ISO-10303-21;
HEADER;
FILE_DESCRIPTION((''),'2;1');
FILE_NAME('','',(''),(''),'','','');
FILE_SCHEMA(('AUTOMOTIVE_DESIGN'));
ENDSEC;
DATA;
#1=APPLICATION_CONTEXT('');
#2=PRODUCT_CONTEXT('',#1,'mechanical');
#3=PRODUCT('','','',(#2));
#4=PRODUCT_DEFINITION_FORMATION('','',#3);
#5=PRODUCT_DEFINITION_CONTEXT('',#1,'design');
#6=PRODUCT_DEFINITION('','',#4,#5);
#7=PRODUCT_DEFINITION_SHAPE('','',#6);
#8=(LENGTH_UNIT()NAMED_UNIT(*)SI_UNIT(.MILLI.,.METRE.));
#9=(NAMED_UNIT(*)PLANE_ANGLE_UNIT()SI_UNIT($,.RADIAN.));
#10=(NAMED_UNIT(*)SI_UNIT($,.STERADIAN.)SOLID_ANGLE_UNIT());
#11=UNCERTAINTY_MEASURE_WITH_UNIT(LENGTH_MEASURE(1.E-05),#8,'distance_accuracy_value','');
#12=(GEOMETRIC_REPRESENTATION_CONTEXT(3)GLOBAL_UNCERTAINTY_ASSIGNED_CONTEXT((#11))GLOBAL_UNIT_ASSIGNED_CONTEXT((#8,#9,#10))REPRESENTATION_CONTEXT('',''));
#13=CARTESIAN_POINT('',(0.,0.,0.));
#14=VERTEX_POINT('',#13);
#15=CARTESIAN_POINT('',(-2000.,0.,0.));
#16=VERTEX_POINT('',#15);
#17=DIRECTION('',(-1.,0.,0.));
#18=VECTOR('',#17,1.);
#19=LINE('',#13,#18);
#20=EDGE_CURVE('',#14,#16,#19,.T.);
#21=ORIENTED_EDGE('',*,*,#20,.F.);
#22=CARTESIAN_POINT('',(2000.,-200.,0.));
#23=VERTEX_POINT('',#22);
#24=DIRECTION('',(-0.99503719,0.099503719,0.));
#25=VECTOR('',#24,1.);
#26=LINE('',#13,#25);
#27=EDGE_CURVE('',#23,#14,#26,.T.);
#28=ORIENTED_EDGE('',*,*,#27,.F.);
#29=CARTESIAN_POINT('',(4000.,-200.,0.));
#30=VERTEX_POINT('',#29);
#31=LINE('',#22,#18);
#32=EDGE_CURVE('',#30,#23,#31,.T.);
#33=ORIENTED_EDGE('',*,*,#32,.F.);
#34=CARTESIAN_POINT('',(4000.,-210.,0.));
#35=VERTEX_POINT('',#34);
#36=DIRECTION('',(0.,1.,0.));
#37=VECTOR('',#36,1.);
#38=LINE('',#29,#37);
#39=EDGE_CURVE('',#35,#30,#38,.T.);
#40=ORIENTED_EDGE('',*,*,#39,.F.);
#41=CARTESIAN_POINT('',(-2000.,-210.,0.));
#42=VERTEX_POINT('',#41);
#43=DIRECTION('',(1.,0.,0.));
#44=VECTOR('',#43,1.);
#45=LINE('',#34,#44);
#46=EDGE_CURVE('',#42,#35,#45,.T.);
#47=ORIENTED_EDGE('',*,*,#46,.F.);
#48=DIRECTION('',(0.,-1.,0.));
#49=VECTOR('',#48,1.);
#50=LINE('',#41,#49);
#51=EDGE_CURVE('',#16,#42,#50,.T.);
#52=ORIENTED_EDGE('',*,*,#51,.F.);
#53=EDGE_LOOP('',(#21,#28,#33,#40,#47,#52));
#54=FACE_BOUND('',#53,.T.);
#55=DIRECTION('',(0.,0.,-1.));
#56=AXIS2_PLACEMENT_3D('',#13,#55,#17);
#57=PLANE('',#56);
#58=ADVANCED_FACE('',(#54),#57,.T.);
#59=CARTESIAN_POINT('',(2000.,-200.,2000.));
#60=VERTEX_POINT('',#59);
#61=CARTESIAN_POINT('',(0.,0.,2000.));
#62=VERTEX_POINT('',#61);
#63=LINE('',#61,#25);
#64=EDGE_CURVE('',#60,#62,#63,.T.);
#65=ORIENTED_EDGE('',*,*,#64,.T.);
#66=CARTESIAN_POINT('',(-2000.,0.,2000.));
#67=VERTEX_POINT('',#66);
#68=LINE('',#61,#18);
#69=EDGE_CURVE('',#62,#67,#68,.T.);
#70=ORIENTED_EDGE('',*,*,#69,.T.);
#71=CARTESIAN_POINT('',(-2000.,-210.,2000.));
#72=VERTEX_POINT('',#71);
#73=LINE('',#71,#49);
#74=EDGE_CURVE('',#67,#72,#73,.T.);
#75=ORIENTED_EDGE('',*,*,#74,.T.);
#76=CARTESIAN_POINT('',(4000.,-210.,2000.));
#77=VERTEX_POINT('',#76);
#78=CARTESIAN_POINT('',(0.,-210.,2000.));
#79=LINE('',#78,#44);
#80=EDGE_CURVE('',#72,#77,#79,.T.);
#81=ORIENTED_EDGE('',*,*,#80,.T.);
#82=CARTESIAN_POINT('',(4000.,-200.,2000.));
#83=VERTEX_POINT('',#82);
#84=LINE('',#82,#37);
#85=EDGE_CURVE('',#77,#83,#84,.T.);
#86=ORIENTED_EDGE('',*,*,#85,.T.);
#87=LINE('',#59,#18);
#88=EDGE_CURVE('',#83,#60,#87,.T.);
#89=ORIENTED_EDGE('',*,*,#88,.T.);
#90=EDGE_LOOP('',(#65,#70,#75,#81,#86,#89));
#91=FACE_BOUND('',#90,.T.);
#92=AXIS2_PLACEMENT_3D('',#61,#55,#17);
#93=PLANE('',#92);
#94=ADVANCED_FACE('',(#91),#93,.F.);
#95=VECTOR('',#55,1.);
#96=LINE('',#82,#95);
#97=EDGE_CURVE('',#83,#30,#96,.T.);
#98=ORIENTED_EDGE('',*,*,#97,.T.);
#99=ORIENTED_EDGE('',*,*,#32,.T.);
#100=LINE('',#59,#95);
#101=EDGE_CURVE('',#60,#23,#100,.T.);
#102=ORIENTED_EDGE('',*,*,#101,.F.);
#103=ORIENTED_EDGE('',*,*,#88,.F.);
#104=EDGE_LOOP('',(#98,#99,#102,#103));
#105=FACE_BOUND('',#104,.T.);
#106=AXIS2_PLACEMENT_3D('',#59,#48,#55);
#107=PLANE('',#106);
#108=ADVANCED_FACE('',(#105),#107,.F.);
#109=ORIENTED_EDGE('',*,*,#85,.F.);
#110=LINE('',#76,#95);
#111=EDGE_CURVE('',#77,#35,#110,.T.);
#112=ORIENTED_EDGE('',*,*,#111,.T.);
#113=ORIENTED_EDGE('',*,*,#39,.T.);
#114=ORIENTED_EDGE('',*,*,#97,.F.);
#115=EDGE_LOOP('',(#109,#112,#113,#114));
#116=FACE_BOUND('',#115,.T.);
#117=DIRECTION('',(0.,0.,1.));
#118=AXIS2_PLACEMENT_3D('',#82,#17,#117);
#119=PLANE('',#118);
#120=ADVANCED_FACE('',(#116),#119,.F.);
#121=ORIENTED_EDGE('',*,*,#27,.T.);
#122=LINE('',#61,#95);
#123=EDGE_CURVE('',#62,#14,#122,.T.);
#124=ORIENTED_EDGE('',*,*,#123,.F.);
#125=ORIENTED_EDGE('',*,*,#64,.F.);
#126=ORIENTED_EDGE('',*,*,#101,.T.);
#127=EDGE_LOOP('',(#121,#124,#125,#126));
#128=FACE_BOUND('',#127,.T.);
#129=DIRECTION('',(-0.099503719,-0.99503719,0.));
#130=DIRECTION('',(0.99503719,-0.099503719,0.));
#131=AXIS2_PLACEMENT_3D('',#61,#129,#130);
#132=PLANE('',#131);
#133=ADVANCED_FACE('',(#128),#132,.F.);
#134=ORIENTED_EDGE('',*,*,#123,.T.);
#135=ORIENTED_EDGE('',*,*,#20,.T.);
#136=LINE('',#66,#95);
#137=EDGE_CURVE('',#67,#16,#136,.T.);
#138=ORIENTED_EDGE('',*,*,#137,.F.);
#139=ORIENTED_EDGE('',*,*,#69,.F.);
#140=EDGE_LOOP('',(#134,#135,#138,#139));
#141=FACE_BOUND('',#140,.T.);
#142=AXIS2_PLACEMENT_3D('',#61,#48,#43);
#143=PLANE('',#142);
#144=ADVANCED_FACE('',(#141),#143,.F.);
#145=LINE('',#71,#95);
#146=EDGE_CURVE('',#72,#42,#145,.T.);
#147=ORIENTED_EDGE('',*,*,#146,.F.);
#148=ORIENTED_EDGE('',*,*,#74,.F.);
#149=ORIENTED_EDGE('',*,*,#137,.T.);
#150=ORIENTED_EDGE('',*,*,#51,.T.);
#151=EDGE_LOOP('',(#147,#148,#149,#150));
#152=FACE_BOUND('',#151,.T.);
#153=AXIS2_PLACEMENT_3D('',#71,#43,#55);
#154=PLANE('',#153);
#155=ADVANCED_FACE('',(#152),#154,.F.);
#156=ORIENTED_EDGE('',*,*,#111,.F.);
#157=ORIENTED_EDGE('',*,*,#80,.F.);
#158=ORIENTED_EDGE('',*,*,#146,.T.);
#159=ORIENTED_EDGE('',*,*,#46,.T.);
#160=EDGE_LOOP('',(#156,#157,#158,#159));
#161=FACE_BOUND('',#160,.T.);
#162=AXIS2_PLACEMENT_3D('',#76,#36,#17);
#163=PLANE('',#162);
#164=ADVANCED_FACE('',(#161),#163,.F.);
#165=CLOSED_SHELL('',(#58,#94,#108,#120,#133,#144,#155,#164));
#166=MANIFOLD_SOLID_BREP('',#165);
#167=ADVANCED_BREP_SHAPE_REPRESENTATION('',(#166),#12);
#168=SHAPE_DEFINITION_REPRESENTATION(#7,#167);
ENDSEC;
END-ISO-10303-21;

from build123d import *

# Parameters (mm, degrees)
EXTRUDE_1_DEPTH = 2000


with BuildPart() as part:
    # 草图1 → 凸台-拉伸1 (new body)
    with BuildSketch(Plane.XY):
        Polygon((0, 0), (2000, -200), (4000, -200), (4000, -210), (0, -210), (-2000, -210), (-2000, 0), align=None)
    extrude(amount=EXTRUDE_1_DEPTH)


solid = part.part
